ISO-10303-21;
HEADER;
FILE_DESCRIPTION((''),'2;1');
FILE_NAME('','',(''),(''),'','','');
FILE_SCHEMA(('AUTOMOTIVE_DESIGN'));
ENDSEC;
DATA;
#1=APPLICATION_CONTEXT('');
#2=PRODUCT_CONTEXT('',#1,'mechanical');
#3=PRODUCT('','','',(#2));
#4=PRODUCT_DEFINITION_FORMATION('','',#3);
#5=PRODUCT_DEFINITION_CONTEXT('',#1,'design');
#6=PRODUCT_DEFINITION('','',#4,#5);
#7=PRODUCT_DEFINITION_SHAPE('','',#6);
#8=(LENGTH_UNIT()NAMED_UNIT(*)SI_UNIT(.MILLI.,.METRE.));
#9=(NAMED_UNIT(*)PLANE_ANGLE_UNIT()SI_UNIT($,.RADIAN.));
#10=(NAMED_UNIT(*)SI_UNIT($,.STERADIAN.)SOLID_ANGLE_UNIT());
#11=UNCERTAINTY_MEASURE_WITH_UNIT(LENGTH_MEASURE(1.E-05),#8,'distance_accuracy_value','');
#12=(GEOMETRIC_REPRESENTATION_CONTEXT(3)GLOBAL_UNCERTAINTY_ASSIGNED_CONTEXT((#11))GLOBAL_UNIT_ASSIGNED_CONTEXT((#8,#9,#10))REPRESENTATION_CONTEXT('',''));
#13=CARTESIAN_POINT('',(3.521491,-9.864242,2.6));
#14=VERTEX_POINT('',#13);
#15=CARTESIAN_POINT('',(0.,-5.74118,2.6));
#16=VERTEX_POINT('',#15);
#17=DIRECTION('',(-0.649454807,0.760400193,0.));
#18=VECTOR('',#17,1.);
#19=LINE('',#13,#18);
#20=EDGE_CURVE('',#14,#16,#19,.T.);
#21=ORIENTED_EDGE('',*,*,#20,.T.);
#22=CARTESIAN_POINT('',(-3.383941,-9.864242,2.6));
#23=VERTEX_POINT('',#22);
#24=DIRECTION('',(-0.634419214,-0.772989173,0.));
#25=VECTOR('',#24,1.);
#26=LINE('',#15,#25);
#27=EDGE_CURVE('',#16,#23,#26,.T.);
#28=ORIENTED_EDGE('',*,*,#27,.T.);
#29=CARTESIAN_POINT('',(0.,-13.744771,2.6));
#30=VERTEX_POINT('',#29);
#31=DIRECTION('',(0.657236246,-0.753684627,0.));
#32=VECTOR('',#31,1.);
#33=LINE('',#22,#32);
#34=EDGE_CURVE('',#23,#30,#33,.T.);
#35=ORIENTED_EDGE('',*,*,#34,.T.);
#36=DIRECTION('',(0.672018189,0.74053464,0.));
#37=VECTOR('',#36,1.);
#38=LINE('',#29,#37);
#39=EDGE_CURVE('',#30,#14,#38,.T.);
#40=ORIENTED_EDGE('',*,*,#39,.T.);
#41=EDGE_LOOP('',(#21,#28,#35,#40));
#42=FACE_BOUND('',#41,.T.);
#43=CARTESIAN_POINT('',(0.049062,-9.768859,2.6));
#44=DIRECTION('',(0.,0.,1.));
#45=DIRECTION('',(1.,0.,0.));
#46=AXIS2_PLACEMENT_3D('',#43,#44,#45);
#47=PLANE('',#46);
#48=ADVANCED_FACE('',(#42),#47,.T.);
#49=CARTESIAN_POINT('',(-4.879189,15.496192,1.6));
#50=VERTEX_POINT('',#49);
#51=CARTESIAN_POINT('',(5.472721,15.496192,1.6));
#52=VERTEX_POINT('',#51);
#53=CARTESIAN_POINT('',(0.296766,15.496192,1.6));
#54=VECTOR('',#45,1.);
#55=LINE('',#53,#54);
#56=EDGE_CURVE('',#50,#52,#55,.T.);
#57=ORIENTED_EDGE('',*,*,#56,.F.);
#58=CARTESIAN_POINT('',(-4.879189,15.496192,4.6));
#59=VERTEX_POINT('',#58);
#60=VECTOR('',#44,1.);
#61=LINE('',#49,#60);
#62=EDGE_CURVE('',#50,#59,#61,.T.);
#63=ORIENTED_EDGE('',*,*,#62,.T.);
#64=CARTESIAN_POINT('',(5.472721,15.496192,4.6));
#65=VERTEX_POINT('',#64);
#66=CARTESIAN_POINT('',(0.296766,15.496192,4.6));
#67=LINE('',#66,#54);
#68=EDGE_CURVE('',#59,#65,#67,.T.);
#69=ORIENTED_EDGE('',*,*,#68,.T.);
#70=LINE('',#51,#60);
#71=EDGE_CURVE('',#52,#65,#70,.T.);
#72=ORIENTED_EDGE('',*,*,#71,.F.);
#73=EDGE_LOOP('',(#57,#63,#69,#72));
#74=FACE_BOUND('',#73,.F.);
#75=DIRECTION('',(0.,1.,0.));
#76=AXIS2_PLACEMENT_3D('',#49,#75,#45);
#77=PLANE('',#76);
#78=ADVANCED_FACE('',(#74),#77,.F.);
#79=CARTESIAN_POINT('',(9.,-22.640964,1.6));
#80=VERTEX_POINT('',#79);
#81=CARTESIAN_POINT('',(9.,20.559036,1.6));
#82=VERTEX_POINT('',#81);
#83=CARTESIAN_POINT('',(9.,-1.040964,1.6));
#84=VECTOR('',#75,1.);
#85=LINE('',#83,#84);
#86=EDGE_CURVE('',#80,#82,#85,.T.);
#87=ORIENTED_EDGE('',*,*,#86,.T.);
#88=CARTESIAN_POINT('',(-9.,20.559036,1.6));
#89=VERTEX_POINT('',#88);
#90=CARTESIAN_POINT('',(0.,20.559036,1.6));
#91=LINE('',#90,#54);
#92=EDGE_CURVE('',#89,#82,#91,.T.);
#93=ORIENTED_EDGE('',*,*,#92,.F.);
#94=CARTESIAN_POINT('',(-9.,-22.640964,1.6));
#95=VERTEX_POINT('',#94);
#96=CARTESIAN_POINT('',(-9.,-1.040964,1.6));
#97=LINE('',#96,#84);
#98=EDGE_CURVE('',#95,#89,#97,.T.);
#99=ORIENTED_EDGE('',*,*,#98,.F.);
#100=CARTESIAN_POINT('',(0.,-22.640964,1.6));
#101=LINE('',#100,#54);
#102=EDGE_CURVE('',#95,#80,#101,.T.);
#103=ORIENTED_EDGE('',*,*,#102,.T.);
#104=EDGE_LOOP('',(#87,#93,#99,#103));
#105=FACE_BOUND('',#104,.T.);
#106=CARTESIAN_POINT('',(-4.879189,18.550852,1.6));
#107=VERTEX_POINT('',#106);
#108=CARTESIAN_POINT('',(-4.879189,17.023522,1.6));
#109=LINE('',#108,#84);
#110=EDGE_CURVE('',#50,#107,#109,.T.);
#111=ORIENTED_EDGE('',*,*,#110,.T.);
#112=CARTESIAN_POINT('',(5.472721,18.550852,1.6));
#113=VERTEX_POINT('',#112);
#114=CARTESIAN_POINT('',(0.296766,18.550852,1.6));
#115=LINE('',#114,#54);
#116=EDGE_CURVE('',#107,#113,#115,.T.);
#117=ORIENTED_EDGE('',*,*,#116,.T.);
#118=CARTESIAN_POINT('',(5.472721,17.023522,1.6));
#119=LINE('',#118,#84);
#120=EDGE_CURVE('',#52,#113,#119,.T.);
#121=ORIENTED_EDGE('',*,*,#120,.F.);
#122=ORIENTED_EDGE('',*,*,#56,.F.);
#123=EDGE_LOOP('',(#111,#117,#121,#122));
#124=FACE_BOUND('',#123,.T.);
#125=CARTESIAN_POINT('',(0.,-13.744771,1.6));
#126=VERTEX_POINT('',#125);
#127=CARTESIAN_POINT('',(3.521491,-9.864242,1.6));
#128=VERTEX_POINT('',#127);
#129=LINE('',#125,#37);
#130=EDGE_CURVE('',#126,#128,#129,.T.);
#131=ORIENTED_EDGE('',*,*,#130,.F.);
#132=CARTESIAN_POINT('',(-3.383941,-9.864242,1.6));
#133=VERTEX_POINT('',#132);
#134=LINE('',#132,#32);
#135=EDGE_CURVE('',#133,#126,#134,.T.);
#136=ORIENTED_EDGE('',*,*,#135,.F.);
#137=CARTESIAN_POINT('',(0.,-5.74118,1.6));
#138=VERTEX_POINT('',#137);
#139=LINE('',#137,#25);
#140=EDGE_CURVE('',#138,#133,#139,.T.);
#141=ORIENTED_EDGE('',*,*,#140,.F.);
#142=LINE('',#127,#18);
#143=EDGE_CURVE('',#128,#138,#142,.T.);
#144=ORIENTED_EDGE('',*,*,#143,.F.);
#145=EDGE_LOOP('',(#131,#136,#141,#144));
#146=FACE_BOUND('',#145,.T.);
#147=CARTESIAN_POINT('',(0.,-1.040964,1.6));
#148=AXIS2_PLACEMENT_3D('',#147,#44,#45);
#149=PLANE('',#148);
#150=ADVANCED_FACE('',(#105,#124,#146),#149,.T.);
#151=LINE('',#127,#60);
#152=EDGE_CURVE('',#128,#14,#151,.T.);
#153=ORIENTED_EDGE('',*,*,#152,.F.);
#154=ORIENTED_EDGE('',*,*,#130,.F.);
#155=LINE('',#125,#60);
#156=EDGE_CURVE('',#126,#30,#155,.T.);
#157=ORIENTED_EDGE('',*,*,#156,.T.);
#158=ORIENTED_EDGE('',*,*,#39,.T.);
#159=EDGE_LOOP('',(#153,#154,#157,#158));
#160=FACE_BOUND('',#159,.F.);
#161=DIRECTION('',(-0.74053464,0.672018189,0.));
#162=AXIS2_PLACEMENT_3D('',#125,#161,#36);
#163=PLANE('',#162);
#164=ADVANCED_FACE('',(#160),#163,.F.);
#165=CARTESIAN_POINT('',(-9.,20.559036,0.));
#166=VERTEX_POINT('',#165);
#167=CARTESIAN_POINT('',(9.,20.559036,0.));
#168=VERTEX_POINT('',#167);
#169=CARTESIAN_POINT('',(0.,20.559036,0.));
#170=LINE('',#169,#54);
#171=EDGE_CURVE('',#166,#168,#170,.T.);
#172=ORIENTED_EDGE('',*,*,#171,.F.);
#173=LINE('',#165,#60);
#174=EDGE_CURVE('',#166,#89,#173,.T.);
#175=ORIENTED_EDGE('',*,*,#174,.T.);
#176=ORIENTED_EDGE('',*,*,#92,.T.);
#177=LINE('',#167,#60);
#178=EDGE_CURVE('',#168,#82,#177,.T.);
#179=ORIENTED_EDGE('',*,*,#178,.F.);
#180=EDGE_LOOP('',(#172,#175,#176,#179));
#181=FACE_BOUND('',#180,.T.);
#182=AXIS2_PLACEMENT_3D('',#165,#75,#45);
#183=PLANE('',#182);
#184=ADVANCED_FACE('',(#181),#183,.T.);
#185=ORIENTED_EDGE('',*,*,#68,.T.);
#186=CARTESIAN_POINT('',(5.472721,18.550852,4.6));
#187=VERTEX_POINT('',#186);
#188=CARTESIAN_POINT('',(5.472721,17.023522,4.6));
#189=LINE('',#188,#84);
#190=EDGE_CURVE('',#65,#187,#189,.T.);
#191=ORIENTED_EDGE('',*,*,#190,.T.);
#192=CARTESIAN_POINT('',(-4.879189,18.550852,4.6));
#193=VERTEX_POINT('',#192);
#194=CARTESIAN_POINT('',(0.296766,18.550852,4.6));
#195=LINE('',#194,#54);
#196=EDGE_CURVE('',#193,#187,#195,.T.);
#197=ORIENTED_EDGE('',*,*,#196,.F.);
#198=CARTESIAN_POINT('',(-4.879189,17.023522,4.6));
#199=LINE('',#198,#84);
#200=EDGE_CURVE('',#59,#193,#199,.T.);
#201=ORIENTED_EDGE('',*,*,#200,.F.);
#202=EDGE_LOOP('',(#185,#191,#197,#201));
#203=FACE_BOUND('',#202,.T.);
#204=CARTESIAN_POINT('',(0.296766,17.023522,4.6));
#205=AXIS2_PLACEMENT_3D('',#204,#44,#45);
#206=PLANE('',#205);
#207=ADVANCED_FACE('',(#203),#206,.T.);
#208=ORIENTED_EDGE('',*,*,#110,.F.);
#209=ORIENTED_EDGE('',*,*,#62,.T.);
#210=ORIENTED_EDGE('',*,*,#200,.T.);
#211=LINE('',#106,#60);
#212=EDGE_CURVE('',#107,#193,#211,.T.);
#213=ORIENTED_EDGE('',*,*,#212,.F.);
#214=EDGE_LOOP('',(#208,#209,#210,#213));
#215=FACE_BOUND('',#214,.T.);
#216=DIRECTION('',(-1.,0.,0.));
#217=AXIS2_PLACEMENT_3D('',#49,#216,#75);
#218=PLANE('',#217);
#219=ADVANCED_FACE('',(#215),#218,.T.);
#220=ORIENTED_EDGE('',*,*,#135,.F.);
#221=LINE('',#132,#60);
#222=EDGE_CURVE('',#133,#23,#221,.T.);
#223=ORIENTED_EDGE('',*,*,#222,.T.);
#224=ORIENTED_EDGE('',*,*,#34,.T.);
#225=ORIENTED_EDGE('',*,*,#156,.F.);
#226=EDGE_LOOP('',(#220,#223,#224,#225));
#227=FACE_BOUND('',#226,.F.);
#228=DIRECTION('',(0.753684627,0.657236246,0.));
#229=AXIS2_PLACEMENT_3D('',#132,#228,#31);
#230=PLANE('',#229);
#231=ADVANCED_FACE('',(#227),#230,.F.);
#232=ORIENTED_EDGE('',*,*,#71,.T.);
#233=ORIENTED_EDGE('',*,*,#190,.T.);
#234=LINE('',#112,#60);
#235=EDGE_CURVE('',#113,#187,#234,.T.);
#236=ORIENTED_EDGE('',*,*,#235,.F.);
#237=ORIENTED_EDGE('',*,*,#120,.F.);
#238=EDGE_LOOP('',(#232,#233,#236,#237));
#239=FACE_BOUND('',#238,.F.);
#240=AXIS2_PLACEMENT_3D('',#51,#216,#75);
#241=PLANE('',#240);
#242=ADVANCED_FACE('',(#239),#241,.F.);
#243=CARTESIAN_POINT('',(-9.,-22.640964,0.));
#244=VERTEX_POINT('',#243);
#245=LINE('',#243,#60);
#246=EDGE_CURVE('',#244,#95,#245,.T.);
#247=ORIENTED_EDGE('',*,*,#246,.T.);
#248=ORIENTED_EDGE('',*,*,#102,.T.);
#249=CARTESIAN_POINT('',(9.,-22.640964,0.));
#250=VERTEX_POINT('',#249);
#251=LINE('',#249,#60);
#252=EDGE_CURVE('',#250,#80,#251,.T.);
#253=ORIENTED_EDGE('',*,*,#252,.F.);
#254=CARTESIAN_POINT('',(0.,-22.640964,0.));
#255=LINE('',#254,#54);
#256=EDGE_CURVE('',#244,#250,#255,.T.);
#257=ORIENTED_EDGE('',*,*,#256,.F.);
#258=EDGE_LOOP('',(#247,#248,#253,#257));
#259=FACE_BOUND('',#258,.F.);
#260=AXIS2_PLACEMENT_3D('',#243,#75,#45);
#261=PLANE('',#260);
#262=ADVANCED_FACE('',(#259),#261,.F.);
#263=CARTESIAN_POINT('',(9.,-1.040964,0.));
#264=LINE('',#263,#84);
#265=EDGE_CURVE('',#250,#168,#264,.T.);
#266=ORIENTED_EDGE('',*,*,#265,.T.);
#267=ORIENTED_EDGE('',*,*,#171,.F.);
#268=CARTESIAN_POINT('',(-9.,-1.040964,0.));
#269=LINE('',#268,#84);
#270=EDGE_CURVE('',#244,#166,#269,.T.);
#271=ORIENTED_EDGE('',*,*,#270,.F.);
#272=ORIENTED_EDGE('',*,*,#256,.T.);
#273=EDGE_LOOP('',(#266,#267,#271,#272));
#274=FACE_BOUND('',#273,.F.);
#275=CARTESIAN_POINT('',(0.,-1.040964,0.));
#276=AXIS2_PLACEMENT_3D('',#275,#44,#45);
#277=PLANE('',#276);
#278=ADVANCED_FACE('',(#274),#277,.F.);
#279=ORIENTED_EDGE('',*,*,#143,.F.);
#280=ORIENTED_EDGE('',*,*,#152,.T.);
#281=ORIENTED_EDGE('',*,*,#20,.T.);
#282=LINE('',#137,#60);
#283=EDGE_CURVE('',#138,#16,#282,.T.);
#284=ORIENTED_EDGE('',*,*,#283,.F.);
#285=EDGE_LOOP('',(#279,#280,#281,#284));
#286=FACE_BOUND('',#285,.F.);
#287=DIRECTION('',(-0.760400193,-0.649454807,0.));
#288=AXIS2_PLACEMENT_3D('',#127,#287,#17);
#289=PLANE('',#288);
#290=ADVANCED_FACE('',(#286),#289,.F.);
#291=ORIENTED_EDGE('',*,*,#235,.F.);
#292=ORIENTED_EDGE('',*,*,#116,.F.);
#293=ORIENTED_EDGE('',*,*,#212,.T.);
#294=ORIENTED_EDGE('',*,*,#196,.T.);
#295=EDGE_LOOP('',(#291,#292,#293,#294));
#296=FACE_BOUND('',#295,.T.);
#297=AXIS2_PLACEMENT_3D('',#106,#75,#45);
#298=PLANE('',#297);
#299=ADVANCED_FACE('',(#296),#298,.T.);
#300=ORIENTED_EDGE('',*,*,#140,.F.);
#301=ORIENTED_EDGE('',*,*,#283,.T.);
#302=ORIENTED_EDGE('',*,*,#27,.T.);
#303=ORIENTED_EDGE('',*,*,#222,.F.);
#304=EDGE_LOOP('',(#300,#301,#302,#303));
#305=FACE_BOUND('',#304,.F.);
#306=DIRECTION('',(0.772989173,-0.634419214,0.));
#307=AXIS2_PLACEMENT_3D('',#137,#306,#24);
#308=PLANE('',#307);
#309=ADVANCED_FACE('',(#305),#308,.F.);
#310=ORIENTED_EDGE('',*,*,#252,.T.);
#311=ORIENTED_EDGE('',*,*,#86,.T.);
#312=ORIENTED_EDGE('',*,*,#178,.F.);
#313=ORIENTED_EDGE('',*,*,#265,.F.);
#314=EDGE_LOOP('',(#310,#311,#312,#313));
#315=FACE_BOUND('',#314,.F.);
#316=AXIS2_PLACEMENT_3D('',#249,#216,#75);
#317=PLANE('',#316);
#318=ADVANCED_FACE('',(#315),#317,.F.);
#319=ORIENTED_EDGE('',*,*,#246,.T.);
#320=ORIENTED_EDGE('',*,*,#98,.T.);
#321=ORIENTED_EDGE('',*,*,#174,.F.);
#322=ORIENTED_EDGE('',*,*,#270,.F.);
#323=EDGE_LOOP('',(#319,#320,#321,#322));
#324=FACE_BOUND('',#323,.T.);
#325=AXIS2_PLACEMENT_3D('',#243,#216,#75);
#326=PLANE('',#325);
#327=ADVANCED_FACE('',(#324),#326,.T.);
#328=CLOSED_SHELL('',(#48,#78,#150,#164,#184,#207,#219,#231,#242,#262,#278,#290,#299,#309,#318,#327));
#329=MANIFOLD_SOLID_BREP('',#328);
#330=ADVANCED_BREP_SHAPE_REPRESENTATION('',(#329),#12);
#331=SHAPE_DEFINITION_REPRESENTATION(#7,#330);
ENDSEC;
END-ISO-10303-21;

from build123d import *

# Parameters (mm, degrees)
F0_W     = 18
F0_H     = 43.2
F1_DEPTH = 1.6
F3_DEPTH = 1
F2_W     = 10.35191
F2_H     = 3.05466
F4_DEPTH = 3


with BuildPart() as f1:
    # F0 (on Top) → F1 (new body)
    with BuildSketch(Plane.XY):
        with Locations((0, -1.040964)):
            Rectangle(F0_W, F0_H)
    extrude(amount=F1_DEPTH)

    # F2 (on face) → F3 (join)
    with BuildSketch(Plane.XY.offset(1.6)):
        Polygon((-3.383941, -9.864242), (0, -13.744771), (3.521491, -9.864242), (0, -5.74118), align=None)
    extrude(amount=F3_DEPTH)

    # F2 (on face) → F4 (join)
    with BuildSketch(Plane.XY.offset(1.6)):
        with Locations((0.296766, 17.023522)):
            Rectangle(F2_W, F2_H)
    extrude(amount=F4_DEPTH)


solid = f1.part
